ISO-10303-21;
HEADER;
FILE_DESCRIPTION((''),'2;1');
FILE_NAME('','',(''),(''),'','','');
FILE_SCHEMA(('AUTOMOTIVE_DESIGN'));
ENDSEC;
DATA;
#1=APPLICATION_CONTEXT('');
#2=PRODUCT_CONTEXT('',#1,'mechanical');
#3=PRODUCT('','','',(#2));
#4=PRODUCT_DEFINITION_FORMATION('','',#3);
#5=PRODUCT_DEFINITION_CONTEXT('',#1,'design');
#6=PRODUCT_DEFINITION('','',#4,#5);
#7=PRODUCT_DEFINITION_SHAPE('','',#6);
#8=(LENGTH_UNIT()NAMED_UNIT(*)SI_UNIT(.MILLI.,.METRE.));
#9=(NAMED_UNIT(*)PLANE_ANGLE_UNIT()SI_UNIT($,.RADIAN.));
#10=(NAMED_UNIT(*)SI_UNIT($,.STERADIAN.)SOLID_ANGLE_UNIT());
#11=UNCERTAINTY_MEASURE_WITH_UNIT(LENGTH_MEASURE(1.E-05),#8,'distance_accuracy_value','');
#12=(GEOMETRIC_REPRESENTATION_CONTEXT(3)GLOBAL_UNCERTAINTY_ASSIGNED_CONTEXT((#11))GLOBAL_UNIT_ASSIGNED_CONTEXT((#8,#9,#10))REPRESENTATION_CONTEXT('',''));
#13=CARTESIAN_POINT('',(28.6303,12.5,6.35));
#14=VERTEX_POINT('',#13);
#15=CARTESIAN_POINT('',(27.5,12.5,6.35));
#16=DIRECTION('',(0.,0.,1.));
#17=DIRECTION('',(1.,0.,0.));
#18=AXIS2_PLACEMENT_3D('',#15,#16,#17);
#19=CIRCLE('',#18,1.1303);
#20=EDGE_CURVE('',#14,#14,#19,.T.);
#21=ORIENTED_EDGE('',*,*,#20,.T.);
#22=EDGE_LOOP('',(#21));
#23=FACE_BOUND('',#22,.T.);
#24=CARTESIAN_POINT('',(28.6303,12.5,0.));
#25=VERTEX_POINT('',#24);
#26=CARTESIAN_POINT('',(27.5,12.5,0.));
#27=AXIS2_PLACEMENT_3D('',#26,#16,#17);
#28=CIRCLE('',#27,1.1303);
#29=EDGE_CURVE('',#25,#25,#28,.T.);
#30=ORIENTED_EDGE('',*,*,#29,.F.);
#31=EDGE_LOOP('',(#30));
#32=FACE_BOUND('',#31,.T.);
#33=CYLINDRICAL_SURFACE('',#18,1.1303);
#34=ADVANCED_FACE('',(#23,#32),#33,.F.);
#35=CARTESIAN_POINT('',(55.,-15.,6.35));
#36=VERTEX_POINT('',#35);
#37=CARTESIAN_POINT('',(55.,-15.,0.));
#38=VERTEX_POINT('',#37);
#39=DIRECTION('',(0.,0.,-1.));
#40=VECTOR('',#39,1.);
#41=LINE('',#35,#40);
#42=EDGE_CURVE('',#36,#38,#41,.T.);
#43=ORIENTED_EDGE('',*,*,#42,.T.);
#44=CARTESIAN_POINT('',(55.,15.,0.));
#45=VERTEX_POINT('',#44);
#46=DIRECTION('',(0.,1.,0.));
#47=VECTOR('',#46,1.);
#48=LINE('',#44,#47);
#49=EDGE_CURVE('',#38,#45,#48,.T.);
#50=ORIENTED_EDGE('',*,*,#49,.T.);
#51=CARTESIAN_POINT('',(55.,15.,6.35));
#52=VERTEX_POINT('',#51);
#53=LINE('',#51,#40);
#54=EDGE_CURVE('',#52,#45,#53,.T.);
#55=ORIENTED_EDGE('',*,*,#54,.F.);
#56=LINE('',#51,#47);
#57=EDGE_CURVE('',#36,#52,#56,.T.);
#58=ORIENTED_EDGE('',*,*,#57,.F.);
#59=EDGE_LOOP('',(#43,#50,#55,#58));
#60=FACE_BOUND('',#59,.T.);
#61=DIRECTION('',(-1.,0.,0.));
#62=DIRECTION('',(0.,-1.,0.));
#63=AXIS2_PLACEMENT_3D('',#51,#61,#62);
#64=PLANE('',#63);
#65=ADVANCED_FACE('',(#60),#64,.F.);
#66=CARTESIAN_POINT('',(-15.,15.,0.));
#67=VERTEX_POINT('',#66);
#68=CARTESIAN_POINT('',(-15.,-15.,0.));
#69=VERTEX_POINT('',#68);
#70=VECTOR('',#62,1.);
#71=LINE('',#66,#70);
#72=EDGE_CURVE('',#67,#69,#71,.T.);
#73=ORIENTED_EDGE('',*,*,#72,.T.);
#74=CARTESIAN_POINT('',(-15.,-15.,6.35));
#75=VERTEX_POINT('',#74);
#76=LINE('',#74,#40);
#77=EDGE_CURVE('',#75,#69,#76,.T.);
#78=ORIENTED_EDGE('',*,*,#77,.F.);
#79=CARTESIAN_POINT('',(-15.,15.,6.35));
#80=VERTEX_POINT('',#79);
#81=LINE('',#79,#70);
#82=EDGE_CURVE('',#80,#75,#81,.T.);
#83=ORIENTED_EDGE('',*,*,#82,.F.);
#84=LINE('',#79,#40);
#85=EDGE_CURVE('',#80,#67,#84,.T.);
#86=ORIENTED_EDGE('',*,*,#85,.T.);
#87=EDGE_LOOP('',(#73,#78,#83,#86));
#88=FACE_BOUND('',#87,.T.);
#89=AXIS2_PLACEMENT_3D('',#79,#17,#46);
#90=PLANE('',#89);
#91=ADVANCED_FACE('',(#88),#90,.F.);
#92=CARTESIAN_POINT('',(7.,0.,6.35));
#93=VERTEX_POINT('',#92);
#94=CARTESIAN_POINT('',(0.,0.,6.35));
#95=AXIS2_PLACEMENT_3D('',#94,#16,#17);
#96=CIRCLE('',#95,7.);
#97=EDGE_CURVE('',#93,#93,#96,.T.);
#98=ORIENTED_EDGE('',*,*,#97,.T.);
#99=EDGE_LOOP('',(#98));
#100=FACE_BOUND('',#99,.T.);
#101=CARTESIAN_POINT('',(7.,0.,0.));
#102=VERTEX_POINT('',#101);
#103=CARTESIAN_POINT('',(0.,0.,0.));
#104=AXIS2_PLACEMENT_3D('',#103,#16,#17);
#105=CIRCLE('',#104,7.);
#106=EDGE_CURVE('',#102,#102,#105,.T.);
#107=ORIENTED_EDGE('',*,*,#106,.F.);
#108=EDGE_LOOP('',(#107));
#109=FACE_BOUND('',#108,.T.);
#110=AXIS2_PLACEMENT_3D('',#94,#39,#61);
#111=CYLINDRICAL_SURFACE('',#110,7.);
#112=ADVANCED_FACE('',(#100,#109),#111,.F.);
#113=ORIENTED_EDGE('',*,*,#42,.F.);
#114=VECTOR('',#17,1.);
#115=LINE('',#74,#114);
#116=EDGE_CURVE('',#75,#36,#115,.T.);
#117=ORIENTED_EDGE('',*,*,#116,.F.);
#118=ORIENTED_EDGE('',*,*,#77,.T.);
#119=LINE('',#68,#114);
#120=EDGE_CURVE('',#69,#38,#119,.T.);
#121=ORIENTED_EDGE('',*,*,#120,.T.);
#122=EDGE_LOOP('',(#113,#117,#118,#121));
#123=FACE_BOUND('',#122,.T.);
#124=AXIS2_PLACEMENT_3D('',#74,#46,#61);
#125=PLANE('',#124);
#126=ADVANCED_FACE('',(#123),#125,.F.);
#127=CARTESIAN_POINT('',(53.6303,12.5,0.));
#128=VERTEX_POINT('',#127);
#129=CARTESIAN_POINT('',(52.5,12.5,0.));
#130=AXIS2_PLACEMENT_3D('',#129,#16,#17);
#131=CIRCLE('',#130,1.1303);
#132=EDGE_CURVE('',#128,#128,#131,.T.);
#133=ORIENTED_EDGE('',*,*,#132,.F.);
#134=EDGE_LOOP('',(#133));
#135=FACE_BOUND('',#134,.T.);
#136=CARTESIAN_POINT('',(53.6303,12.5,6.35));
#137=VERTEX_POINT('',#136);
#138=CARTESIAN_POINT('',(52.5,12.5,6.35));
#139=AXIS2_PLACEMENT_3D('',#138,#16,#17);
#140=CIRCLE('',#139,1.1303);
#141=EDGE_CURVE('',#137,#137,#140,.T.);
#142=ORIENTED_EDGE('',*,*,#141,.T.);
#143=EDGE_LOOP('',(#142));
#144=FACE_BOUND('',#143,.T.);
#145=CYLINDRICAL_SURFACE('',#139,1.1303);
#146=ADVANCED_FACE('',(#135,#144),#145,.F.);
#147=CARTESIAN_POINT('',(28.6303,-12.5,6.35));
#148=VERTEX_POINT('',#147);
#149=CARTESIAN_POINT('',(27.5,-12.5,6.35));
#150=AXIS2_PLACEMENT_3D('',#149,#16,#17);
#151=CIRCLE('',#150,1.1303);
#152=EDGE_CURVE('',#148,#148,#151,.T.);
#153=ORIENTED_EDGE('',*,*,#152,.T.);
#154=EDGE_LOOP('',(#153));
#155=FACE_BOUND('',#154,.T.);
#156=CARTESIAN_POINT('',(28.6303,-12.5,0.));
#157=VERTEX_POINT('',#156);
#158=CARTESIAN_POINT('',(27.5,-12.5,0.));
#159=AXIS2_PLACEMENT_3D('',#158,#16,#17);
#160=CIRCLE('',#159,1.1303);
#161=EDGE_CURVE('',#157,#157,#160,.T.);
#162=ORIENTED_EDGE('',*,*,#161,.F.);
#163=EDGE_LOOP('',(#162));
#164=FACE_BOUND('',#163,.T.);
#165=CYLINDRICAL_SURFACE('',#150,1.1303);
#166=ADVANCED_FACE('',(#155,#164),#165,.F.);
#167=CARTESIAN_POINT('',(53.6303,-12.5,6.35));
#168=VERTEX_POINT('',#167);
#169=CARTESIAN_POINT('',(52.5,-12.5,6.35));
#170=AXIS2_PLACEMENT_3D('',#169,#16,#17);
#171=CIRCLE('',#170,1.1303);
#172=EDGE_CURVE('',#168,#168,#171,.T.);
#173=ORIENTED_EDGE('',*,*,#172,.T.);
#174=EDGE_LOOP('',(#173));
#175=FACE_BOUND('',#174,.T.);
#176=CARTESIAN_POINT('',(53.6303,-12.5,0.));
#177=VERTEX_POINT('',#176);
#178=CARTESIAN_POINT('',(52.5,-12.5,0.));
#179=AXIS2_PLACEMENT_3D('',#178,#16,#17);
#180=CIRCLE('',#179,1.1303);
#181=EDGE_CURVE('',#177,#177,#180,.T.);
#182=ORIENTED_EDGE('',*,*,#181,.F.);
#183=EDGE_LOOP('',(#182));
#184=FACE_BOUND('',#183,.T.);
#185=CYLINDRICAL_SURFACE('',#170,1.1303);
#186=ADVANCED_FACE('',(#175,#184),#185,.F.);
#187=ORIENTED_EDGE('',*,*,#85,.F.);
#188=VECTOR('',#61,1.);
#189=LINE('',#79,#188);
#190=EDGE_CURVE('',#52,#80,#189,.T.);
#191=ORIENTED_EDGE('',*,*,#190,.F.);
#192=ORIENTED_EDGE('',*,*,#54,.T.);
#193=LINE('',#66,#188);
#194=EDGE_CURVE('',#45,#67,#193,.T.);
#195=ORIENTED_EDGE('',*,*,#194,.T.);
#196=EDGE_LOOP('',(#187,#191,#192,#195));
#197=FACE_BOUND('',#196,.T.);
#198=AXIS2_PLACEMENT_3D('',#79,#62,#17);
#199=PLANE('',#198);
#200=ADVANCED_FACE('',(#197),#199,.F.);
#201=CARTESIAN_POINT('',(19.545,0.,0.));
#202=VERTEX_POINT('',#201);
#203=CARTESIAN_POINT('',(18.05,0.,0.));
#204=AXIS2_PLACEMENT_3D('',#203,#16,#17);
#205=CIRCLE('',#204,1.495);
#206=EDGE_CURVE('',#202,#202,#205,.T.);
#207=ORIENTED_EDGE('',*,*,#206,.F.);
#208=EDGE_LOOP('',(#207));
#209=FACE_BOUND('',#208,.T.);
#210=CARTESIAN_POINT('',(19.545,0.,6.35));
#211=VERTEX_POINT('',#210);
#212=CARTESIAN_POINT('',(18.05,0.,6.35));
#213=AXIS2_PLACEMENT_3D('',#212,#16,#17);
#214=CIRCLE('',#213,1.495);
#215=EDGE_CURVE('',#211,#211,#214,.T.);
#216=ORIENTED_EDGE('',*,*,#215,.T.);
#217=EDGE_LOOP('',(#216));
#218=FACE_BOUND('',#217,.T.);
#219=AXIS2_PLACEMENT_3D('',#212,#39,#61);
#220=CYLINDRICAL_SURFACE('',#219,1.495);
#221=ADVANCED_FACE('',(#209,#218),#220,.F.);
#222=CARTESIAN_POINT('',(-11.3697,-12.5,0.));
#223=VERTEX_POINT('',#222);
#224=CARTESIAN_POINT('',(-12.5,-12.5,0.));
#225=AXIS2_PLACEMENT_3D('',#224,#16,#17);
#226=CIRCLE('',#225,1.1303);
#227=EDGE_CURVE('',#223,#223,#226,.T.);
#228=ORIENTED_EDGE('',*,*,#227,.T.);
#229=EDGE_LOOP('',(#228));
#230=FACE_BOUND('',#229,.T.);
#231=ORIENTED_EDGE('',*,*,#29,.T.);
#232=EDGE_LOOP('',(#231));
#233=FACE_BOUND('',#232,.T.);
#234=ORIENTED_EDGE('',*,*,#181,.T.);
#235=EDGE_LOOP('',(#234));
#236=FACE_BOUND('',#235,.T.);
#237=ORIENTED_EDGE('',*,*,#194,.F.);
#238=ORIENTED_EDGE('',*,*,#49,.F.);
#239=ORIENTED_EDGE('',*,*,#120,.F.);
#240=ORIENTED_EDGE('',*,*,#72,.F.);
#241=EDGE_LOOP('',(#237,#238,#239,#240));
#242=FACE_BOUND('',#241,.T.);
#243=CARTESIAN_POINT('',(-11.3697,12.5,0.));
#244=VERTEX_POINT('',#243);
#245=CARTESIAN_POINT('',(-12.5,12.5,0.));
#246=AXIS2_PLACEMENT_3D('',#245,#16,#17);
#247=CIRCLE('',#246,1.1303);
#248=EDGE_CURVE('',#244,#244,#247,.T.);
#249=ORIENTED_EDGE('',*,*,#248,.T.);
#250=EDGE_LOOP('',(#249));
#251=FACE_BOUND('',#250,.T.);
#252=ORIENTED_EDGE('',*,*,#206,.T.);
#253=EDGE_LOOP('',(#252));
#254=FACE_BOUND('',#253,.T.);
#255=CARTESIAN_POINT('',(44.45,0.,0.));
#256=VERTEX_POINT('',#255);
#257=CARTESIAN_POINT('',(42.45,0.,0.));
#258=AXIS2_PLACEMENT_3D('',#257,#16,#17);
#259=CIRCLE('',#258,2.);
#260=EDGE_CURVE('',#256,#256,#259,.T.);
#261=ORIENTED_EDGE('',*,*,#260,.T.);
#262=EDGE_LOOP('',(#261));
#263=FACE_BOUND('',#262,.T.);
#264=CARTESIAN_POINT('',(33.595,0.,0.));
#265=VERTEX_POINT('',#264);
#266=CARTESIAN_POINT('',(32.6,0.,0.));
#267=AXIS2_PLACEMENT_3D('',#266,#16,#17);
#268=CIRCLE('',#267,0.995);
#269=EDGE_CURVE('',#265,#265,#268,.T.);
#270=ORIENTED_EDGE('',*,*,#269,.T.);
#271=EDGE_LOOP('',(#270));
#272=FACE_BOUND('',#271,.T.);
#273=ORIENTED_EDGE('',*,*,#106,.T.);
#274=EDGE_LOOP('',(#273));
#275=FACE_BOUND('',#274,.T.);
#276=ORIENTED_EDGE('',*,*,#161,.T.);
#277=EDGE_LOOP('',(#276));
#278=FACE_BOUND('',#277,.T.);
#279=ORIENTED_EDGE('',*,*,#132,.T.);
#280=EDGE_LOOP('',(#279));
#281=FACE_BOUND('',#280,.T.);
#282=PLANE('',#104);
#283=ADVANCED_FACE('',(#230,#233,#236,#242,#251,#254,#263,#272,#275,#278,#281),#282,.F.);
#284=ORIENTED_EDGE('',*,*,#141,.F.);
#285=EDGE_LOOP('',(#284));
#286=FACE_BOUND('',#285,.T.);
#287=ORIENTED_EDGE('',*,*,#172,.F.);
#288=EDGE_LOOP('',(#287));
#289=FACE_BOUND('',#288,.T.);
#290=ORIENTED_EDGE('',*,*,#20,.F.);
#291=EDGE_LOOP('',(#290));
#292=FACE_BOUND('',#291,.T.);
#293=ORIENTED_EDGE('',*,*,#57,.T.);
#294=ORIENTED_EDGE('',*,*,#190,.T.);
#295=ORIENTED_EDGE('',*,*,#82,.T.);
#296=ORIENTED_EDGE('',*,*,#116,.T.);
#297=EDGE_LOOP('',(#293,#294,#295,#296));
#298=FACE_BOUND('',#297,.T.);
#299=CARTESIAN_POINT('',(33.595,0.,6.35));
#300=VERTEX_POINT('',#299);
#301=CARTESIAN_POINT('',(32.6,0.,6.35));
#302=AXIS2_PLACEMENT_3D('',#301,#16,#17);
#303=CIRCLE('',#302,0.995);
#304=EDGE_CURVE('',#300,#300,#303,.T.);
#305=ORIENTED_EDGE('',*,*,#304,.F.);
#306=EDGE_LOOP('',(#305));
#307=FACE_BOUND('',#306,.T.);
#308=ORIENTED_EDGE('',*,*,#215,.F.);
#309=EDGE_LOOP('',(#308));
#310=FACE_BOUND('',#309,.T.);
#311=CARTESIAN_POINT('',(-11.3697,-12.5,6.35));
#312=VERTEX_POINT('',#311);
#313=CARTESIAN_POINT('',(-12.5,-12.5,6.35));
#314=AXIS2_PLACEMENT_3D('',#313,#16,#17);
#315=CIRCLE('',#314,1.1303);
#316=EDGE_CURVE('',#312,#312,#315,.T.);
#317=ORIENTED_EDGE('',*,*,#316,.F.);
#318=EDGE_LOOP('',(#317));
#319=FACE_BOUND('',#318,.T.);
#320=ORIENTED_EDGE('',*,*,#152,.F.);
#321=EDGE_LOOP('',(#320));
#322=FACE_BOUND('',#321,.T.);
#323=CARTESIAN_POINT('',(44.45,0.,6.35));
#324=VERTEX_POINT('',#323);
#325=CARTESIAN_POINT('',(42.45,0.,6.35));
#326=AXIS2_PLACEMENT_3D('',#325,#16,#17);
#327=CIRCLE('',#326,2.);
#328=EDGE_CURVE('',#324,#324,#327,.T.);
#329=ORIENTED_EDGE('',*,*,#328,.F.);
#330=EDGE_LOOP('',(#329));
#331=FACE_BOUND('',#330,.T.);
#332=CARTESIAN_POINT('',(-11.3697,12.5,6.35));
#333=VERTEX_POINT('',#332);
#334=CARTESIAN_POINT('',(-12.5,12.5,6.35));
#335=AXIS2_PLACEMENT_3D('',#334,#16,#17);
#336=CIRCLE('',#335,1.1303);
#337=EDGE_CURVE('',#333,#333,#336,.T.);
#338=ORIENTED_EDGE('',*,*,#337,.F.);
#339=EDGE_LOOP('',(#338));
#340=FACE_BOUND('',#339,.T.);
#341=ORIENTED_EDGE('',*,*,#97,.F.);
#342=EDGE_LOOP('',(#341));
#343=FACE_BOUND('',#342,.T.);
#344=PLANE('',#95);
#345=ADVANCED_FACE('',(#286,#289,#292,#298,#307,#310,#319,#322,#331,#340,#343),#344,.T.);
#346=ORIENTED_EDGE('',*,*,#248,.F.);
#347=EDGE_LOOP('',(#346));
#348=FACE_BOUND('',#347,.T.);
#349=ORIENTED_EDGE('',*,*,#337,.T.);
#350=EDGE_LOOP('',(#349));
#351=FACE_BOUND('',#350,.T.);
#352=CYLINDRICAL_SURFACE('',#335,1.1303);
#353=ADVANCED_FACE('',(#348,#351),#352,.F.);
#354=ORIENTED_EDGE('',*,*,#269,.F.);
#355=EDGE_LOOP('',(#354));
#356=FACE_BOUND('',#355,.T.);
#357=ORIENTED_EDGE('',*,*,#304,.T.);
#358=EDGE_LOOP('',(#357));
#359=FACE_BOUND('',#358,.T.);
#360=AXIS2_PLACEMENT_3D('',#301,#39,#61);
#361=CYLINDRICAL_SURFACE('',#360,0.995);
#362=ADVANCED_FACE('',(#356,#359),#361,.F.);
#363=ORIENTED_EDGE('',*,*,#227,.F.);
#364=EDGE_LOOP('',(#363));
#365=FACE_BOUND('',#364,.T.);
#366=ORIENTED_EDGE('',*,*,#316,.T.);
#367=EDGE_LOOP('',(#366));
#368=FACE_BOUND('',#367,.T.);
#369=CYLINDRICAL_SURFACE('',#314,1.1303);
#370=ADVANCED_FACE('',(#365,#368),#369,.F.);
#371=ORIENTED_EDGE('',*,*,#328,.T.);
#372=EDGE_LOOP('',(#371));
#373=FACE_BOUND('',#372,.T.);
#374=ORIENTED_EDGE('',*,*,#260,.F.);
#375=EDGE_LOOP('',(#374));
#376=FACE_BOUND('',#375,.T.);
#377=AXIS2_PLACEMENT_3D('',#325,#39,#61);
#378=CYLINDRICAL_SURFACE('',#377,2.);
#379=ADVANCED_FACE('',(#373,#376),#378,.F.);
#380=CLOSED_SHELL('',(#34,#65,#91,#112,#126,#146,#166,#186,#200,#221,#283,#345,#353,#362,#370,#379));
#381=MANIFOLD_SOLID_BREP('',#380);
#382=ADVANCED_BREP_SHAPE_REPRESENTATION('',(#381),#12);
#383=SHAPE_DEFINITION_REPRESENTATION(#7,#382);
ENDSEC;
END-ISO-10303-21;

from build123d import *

# Parameters (mm, degrees)
SKETCH1_W             = 70
SKETCH1_H             = 30
SKETCH1_R             = 7
SKETCH1_R_2           = 1.495
SKETCH1_R_3           = 0.995
SKETCH1_R_4           = 2
BOSS_EXTRUDE1_DEPTH   = 6.35
F_2_CLEARANCE_HOLE1_D = 2.2606


with BuildPart() as part:
    # Sketch1 → Boss-Extrude1 (new body)
    with BuildSketch(Plane.XY):
        with Locations((20, 0)):
            Rectangle(SKETCH1_W, SKETCH1_H)
        Circle(SKETCH1_R, mode=Mode.SUBTRACT)
        with Locations((18.05, 0)):
            Circle(SKETCH1_R_2, mode=Mode.SUBTRACT)
        with Locations((32.6, 0)):
            Circle(SKETCH1_R_3, mode=Mode.SUBTRACT)
        with Locations((42.449999958, 0)):
            Circle(SKETCH1_R_4, mode=Mode.SUBTRACT)
    extrude(amount=BOSS_EXTRUDE1_DEPTH)

    # #2 Clearance Hole1 (through all)
    with Locations(Plane.XY.offset(6.35)):
        with Locations((-12.5, 12.5), (-12.5, -12.5), (27.5, 12.5), (27.5, -12.5), (52.5, 12.5), (52.5, -12.5)):
            Hole(F_2_CLEARANCE_HOLE1_D / 2)


solid = part.part
